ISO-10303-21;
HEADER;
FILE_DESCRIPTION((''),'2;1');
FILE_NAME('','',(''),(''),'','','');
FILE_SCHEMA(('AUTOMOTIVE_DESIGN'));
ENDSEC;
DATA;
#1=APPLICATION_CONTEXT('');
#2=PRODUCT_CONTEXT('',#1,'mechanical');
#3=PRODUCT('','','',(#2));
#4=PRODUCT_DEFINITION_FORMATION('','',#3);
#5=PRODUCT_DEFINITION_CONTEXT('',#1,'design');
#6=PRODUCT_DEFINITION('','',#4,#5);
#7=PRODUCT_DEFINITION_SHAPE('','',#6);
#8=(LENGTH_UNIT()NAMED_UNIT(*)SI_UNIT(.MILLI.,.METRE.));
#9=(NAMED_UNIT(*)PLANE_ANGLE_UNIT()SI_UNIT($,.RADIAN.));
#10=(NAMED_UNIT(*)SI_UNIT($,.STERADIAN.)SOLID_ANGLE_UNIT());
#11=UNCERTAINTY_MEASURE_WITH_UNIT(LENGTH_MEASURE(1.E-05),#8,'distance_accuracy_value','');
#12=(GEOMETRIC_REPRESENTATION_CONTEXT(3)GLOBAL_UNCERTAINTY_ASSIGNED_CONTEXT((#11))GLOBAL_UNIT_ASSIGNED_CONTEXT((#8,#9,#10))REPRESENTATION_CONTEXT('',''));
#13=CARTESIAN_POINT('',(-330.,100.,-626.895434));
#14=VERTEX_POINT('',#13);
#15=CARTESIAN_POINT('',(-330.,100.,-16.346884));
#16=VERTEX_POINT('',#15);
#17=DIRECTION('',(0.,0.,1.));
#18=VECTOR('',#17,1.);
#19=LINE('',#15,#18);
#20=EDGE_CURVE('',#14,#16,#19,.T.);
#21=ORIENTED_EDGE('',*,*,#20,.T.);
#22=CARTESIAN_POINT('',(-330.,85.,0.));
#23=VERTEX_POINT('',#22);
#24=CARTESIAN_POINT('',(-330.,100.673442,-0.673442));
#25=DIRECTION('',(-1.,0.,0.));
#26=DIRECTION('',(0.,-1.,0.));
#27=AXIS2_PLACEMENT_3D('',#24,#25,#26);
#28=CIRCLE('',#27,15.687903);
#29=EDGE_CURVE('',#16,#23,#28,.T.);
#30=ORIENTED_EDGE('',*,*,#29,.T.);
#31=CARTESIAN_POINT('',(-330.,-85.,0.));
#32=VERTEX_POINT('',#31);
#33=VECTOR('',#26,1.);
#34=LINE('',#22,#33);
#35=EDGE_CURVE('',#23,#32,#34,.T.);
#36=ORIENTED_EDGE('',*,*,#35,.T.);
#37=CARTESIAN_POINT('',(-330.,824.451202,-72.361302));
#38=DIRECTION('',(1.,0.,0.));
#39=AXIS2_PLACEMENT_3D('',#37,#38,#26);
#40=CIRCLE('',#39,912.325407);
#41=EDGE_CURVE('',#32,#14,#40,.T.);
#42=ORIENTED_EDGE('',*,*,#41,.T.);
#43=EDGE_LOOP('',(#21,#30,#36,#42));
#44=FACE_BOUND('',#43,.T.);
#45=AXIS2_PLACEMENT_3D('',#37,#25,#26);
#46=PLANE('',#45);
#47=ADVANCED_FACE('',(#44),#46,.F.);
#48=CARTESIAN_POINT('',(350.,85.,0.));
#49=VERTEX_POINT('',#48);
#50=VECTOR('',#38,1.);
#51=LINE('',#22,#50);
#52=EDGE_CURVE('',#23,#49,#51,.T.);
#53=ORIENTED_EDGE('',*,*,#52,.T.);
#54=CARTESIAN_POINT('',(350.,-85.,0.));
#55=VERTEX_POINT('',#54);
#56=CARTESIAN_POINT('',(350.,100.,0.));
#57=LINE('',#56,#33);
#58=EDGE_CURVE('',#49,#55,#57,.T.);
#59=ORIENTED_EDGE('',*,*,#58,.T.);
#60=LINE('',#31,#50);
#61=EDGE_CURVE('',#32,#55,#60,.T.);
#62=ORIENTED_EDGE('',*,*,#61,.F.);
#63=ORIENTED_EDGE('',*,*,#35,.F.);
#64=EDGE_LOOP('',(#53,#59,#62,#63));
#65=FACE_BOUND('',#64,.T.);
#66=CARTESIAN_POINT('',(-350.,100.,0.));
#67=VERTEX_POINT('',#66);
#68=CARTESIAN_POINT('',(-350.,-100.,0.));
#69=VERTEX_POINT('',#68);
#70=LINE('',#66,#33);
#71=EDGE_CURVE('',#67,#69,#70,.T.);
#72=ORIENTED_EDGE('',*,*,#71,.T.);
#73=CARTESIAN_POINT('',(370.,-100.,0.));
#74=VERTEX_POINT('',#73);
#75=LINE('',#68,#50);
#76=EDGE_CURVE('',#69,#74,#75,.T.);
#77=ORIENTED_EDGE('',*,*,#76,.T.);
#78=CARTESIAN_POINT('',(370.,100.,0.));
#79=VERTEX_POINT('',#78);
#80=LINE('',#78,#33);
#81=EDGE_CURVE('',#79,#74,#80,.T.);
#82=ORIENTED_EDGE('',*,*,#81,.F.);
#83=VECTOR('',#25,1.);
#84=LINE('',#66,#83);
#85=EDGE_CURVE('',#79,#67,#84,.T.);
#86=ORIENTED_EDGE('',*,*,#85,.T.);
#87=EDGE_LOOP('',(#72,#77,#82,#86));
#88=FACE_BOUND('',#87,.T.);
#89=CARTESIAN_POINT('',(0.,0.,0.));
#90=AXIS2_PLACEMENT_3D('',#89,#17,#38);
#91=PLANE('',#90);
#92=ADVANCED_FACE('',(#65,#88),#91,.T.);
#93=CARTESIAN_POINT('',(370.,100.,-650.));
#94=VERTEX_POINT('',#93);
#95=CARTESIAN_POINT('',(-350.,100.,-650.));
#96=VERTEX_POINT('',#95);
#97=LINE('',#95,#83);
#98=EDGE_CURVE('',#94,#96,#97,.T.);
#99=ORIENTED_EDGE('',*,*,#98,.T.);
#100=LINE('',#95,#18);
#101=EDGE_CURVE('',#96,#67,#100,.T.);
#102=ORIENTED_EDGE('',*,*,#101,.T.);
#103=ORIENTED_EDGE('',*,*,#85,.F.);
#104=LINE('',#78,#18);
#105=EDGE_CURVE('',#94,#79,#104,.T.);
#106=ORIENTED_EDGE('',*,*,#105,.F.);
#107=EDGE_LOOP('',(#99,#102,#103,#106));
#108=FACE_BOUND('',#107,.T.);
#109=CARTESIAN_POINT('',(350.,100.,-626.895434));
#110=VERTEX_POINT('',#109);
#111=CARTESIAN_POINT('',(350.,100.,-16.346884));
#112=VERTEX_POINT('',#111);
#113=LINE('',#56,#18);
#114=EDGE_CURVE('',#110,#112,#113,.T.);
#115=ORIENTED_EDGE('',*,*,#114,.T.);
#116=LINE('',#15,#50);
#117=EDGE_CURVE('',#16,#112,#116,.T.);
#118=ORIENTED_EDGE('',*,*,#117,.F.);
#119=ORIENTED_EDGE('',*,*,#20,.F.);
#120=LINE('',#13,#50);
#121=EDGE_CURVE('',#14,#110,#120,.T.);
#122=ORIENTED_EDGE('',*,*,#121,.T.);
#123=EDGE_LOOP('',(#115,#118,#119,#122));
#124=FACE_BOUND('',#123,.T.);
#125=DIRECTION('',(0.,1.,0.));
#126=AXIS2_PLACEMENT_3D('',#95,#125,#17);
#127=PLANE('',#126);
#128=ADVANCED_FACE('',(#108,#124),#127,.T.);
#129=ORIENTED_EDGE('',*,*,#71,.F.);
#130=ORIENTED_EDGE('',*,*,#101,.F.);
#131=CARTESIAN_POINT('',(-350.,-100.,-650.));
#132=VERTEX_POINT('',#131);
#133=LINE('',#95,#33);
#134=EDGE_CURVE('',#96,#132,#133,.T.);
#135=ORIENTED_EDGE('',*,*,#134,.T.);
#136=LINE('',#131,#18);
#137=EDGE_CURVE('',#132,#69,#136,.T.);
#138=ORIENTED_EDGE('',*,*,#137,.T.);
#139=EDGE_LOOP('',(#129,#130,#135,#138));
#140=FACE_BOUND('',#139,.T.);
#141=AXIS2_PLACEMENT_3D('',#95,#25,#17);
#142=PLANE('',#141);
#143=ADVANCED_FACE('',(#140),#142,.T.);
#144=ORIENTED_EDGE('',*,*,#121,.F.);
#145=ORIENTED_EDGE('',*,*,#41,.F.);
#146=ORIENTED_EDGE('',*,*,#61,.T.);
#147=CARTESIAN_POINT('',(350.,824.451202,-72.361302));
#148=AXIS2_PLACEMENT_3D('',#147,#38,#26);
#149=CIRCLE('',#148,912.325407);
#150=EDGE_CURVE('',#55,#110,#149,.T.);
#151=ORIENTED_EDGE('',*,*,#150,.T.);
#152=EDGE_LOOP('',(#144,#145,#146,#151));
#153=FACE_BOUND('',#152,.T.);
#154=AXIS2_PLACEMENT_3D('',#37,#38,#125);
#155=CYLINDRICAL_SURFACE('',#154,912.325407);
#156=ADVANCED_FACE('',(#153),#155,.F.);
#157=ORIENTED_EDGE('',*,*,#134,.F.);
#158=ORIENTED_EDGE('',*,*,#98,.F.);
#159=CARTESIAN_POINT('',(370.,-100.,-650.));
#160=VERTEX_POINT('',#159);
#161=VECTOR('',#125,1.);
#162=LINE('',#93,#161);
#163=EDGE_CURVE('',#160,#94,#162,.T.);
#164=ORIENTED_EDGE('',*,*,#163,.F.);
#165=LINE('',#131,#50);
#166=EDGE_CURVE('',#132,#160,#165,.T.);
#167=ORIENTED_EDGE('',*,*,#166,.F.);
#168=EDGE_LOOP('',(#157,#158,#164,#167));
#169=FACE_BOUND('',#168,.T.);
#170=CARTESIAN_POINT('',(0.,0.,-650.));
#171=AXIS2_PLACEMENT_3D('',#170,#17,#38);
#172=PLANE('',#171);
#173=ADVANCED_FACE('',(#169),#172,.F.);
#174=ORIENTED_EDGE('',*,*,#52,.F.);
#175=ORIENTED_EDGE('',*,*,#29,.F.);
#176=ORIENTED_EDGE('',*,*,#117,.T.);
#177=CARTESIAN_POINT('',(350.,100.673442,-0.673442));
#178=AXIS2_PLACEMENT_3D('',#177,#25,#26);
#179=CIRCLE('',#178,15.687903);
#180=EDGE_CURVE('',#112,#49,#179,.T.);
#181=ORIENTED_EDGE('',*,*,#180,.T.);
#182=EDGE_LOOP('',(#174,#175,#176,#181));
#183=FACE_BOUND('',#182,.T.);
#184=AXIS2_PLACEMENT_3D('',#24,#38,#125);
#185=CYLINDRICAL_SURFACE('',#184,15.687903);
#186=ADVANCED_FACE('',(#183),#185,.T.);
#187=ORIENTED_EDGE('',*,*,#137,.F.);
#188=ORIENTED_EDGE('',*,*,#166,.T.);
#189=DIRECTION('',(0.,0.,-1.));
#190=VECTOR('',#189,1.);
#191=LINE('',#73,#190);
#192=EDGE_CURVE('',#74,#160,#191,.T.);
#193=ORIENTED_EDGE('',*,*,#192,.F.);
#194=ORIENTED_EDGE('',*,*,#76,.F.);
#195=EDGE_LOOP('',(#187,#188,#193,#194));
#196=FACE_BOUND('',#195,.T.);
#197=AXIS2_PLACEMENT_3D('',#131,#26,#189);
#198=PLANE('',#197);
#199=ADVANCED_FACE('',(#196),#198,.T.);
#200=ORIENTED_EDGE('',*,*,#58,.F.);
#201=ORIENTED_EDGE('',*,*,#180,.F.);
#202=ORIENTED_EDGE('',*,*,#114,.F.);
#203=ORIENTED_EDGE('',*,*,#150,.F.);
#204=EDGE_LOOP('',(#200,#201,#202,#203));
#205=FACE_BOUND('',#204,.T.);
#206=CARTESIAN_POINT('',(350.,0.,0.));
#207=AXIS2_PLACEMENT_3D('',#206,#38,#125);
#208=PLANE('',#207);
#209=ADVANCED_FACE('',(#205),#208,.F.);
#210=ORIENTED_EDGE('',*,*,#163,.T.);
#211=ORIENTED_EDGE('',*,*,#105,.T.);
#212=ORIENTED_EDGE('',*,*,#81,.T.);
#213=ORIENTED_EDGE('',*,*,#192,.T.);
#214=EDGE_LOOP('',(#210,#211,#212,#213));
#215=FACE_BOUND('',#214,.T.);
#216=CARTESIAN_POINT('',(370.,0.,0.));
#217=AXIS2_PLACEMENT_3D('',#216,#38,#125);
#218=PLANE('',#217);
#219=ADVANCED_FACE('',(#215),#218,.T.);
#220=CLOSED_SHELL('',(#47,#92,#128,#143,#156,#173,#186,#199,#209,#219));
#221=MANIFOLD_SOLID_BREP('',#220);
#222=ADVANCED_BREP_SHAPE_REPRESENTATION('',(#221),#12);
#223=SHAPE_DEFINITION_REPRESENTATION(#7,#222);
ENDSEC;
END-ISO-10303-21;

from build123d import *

# Parameters (mm, degrees)
SKETCH1_W           = 700
SKETCH1_H           = 200
BOSS_EXTRUDE1_DEPTH = 650
CUT_EXTRUDE2_DEPTH  = 680
SKETCH7_W           = 650
SKETCH7_H           = 200
BOSS_EXTRUDE3_DEPTH = 20


with BuildPart() as part:
    # Sketch1 → Boss-Extrude1 (new body)
    with BuildSketch(Plane.XY):
        Rectangle(SKETCH1_W, SKETCH1_H)
    extrude(amount=-BOSS_EXTRUDE1_DEPTH)

    # Sketch6 → Cut-Extrude2 (cut)
    with BuildSketch(Plane(origin=(350, 0, 0), x_dir=(0, 0, -1), z_dir=(1, 0, 0))):
        with BuildLine():
            Line((0, 85), (0, -85))
            ThreePointArc((0, -85), (330.583898703, -50.56807643), (626.895433751, 100))
            Line((626.895433751, 100), (16.346883748, 100))
            ThreePointArc((16.346883748, 100), (11.280043592, 89.114449525), (0, 85))
        make_face()
    extrude(amount=-CUT_EXTRUDE2_DEPTH, mode=Mode.SUBTRACT)

    # Sketch7 → Boss-Extrude3 (add)
    with BuildSketch(Plane(origin=(350, 0, 0), x_dir=(0, 0, -1), z_dir=(1, 0, 0))):
        with Locations((325, 0)):
            Rectangle(SKETCH7_W, SKETCH7_H)
    extrude(amount=BOSS_EXTRUDE3_DEPTH)


solid = part.part
